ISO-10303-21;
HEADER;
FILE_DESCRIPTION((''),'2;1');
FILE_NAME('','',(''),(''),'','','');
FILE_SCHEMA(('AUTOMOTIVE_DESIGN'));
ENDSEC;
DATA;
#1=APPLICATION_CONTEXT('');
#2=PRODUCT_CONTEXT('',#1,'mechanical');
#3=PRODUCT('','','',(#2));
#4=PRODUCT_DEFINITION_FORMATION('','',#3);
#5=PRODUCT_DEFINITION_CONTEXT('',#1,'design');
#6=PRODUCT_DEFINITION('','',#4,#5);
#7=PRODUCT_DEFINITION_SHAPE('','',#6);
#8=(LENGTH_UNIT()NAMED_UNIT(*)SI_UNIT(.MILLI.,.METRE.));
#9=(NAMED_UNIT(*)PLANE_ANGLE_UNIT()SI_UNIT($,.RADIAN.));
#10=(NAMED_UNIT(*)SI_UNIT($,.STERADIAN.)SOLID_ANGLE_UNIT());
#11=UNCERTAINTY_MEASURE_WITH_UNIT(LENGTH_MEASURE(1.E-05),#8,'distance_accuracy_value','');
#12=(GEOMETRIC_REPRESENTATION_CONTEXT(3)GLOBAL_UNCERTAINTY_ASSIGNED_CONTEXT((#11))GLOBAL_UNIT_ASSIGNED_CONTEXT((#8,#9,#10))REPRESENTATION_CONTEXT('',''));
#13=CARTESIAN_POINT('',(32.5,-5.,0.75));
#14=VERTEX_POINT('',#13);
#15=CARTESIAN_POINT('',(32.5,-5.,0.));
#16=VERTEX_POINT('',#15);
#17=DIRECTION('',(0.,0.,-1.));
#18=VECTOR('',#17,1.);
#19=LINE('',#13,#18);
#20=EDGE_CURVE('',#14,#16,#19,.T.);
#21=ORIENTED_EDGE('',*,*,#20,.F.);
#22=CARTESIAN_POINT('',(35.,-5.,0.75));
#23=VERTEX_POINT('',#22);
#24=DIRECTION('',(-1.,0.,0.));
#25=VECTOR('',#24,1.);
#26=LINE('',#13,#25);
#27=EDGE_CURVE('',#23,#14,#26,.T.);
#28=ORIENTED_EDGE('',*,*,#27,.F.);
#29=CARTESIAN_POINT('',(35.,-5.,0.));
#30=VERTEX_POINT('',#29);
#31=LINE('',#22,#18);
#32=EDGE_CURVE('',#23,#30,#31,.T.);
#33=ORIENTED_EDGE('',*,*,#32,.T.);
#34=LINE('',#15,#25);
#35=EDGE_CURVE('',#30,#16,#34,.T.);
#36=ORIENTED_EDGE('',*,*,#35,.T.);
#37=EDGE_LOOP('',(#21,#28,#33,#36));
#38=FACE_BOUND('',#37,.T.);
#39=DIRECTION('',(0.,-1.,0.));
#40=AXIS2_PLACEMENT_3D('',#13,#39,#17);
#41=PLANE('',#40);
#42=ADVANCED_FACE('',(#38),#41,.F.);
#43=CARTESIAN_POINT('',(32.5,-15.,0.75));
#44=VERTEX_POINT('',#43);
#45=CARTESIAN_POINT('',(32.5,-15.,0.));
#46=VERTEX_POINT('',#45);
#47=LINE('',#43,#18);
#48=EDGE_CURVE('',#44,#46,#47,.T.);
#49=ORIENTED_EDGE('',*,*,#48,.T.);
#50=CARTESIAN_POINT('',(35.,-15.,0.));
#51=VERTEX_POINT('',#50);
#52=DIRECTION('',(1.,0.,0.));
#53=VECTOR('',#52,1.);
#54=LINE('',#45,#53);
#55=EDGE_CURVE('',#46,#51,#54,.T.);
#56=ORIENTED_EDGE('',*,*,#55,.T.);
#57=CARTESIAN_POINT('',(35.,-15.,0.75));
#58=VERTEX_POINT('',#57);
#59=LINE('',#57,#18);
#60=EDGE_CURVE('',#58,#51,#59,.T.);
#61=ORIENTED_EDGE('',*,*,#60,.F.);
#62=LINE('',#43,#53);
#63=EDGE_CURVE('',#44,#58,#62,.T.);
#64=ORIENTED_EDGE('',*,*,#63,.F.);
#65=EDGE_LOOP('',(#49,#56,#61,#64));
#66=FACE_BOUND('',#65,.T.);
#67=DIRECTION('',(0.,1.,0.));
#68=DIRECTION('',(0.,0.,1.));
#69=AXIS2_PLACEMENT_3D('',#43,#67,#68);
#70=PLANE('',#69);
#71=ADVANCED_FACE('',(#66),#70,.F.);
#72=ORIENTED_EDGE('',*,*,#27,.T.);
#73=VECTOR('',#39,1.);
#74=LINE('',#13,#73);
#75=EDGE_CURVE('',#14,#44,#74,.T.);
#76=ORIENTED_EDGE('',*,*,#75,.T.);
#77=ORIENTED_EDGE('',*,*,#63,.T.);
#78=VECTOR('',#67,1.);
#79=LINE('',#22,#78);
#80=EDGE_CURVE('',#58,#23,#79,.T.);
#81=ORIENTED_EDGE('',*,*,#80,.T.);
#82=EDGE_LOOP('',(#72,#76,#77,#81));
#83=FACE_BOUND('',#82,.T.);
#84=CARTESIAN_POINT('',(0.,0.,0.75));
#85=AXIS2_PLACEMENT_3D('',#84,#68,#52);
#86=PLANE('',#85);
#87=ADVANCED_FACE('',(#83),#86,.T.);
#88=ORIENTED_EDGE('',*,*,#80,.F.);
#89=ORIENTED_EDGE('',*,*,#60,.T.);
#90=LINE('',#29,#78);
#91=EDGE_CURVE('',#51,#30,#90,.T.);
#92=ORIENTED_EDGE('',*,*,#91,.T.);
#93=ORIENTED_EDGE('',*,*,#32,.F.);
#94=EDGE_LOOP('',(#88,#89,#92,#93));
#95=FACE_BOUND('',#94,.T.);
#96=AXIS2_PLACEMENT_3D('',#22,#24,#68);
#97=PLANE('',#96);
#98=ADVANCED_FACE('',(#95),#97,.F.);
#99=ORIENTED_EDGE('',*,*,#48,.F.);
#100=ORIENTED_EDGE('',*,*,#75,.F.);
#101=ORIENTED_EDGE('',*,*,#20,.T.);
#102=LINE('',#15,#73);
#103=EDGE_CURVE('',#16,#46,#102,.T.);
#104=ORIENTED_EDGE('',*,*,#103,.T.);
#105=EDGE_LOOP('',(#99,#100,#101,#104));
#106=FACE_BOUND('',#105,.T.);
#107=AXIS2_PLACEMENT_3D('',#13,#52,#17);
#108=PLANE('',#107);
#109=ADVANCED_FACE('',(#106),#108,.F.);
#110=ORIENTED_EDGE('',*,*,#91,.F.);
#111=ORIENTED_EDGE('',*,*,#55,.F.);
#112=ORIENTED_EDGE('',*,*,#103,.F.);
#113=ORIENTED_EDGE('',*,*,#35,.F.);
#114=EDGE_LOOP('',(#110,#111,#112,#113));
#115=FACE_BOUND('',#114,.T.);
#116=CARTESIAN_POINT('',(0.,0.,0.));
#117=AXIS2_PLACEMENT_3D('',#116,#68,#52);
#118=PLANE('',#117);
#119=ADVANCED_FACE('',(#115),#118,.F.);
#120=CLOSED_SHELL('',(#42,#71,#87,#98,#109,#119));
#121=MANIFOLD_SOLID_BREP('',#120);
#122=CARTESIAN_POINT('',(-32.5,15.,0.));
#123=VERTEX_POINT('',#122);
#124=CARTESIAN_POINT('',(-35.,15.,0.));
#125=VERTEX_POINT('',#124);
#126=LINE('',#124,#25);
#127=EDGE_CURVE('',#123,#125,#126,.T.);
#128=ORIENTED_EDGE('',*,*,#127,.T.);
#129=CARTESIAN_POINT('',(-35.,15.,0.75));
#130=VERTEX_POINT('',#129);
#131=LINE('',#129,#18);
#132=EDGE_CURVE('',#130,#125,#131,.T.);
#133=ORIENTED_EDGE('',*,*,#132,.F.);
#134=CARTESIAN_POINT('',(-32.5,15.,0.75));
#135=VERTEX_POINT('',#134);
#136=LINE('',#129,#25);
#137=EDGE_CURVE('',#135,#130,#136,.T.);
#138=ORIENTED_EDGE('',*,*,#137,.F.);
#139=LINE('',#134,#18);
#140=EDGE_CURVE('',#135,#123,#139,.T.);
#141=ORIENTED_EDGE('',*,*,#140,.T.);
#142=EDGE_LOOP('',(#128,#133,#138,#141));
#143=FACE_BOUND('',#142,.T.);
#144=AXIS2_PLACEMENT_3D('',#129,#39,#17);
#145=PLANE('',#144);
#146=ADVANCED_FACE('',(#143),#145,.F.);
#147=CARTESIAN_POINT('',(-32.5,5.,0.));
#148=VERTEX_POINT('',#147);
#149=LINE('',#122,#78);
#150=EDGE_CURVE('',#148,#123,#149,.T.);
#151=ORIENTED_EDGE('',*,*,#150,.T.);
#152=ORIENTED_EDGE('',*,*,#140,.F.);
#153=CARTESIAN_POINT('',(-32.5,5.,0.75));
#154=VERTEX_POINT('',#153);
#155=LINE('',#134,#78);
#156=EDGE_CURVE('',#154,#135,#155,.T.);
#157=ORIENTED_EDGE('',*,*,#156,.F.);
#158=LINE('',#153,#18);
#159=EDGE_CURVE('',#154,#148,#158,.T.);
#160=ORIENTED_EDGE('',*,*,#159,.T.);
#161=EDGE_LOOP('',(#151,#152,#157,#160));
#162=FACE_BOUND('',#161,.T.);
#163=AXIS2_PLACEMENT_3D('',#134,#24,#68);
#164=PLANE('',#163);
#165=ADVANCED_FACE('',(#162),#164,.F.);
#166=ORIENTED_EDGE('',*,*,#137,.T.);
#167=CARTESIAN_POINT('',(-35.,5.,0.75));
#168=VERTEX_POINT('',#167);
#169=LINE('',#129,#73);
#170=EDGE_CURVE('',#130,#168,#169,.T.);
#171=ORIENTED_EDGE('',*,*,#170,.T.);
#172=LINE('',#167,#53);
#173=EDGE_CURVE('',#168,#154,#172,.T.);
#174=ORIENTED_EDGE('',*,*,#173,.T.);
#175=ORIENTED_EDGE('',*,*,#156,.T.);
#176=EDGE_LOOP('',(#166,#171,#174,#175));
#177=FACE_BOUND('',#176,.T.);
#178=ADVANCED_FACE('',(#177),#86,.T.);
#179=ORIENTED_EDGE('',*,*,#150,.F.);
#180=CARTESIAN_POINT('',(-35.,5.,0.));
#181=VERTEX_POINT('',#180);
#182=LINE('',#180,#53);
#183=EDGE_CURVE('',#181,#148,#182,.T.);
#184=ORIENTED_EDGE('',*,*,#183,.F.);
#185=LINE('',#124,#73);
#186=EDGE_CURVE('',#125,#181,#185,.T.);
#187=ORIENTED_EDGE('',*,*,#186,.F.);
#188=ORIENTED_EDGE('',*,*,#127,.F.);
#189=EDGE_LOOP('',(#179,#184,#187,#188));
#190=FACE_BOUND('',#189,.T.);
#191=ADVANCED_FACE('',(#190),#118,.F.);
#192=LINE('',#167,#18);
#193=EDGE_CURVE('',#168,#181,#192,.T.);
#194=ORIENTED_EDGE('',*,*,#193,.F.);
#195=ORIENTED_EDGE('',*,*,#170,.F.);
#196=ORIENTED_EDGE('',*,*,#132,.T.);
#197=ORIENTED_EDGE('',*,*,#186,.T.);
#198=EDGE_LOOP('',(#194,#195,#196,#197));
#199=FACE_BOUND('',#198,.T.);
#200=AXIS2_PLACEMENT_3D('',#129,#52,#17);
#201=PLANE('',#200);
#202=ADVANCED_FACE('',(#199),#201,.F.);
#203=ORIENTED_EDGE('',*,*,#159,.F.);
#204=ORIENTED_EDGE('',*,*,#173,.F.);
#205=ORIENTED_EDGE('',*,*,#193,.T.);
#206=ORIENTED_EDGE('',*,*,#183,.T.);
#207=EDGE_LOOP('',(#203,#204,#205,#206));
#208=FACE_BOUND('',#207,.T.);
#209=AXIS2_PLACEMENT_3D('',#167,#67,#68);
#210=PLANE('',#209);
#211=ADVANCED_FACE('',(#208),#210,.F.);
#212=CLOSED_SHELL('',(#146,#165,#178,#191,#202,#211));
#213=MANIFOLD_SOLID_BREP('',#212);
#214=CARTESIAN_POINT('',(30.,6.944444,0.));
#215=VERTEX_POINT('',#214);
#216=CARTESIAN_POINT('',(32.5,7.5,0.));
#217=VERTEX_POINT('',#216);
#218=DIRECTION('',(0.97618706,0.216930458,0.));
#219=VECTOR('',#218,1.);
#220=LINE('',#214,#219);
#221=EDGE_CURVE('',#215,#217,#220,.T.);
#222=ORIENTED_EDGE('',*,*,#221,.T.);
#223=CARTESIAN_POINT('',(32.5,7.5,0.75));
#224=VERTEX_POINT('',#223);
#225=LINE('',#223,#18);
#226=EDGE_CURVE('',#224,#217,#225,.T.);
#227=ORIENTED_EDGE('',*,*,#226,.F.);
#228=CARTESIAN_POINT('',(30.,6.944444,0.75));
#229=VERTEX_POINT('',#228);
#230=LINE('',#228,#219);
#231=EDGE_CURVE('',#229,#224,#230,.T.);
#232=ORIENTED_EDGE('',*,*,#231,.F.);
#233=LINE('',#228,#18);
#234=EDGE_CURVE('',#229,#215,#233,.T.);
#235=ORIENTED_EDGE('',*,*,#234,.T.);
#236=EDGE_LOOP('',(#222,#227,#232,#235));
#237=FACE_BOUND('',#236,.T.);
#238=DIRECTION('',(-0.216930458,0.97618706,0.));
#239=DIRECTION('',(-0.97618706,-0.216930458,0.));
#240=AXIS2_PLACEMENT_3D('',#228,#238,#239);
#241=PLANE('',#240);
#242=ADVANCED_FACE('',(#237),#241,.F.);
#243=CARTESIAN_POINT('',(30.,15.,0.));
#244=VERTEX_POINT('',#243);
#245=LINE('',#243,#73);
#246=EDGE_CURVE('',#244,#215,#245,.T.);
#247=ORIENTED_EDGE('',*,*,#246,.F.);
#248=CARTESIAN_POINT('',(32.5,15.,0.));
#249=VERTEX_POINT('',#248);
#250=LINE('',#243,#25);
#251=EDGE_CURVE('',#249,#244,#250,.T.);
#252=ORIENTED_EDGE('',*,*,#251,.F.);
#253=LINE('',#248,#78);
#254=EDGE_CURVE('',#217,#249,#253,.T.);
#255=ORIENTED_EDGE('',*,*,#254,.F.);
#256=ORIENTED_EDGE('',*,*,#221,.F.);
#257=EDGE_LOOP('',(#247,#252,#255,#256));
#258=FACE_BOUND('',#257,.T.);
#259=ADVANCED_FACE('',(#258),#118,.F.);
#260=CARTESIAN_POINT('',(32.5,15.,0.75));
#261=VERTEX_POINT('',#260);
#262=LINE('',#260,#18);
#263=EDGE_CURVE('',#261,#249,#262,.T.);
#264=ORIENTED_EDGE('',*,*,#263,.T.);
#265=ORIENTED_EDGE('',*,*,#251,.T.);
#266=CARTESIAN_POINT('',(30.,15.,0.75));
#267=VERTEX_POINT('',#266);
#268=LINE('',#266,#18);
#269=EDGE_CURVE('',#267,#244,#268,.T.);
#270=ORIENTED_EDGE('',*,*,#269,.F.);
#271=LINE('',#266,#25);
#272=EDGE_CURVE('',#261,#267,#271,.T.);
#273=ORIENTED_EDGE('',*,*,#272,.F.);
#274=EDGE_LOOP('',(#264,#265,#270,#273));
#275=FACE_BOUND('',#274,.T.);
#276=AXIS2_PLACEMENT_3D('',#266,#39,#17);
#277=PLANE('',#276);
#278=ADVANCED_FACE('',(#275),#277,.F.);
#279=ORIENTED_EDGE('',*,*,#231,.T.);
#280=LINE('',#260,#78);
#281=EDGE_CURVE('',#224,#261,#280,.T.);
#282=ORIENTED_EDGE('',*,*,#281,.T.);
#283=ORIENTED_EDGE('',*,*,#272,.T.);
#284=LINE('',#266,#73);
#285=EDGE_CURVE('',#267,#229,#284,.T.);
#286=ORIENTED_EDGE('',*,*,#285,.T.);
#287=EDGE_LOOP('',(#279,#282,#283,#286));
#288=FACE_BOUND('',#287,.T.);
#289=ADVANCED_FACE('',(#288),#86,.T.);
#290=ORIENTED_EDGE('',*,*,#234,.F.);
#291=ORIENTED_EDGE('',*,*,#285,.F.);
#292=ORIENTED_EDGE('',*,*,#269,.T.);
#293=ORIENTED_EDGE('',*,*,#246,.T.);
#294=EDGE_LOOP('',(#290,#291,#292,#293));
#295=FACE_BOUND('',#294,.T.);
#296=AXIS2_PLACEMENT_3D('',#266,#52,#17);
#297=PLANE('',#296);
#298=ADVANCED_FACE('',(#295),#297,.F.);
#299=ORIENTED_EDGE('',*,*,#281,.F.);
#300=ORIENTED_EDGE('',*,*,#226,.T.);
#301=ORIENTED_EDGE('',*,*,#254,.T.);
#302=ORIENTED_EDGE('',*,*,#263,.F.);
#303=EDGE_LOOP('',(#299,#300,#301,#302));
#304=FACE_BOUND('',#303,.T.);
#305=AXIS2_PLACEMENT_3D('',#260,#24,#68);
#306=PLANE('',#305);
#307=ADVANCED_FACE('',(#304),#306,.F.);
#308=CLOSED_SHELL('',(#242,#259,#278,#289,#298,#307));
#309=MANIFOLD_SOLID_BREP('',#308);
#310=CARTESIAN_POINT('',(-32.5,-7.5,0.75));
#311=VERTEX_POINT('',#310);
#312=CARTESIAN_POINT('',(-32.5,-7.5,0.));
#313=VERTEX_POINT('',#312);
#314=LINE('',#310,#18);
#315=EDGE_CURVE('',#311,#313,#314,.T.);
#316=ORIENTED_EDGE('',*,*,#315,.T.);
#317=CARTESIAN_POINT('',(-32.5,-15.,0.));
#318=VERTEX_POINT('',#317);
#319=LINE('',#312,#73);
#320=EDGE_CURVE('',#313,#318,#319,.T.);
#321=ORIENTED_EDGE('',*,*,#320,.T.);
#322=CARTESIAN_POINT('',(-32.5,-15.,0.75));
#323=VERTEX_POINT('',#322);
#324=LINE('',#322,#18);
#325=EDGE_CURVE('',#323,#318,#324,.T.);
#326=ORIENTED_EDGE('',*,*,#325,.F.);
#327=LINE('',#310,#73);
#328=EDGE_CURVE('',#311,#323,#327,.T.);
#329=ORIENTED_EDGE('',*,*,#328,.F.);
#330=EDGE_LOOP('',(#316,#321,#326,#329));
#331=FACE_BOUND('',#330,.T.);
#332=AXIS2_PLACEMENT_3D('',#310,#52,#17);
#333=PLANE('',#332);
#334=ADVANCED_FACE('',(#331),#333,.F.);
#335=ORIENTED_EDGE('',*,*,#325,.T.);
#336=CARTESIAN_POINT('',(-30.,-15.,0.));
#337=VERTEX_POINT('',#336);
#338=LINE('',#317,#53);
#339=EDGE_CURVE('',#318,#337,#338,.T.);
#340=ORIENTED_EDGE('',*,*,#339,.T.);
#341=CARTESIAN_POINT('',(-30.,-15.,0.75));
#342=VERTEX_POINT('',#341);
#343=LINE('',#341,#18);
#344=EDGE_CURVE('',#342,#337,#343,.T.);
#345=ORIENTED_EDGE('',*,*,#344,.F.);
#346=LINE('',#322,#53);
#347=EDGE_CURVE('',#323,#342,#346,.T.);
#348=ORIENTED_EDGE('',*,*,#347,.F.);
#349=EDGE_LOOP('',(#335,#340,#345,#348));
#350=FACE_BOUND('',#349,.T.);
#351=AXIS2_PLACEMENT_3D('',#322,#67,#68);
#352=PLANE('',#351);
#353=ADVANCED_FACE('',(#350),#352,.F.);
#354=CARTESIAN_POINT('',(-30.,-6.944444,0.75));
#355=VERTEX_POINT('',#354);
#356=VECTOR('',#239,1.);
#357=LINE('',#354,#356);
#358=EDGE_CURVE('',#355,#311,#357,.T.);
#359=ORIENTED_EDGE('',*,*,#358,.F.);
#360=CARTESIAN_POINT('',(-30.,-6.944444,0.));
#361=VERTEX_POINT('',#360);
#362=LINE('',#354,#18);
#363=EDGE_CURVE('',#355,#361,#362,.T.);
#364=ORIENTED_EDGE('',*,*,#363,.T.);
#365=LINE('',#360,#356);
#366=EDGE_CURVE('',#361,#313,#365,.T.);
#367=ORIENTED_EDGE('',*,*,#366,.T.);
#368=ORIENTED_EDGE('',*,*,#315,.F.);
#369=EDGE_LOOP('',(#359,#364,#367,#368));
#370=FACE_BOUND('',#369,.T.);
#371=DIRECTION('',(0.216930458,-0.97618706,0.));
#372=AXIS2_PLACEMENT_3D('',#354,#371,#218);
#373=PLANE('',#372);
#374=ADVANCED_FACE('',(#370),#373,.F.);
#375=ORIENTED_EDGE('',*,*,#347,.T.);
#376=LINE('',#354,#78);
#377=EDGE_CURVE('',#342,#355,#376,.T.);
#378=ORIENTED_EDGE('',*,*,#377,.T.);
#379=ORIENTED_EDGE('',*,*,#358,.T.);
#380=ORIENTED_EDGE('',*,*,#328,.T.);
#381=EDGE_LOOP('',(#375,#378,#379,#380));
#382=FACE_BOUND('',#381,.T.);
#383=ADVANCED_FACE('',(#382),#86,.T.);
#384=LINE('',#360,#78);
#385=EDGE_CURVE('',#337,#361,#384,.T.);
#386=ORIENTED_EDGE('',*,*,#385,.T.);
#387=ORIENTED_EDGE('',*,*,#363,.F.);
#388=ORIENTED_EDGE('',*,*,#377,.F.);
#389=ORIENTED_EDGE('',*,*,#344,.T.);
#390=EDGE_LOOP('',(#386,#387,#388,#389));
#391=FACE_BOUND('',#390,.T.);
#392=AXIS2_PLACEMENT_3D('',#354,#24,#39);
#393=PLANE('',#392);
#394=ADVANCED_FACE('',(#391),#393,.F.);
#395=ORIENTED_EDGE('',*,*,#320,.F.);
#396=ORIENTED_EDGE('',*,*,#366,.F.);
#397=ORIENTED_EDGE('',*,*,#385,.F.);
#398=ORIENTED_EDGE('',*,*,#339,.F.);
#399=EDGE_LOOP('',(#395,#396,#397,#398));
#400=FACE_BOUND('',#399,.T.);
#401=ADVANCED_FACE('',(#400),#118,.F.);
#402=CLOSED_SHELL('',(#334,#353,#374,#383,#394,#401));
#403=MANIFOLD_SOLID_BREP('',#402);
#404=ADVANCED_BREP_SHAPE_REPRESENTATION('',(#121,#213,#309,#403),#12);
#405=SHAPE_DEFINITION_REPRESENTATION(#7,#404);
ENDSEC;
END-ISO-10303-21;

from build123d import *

# Parameters (mm, degrees)
SKETCH1_W             = 2.5
SKETCH1_H             = 10
BOSS_EXTRUDE1_DEPTH   = 0.75
BOSS_EXTRUDE1_2_DEPTH = 0.75
BOSS_EXTRUDE1_3_DEPTH = 0.75
BOSS_EXTRUDE1_4_DEPTH = 0.75


with BuildPart() as part:
    # Sketch1 → Boss-Extrude1 (new body)
    with BuildSketch(Plane.XY):
        with Locations((-33.75, 10)):
            Rectangle(SKETCH1_W, SKETCH1_H)
    extrude(amount=BOSS_EXTRUDE1_DEPTH)


with BuildPart() as body_2:
    # Sketch1 → Boss-Extrude1 2 (new body)
    with BuildSketch(Plane.XY):
        Polygon((30, 15), (32.5, 15), (32.5, 7.5), (30, 6.944444444), align=None)
    extrude(amount=BOSS_EXTRUDE1_2_DEPTH)


with BuildPart() as body_3:
    # Sketch1 → Boss-Extrude1 3 (new body)
    with BuildSketch(Plane.XY):
        Polygon((-32.5, -7.5), (-32.5, -15), (-30, -15), (-30, -6.944444444), align=None)
    extrude(amount=BOSS_EXTRUDE1_3_DEPTH)


with BuildPart() as body_4:
    # Sketch1 → Boss-Extrude1 4 (new body)
    with BuildSketch(Plane.XY):
        with Locations((33.75, -10)):
            Rectangle(SKETCH1_W, SKETCH1_H)
    extrude(amount=BOSS_EXTRUDE1_4_DEPTH)


solid = Compound([part.part, body_2.part, body_3.part, body_4.part])
